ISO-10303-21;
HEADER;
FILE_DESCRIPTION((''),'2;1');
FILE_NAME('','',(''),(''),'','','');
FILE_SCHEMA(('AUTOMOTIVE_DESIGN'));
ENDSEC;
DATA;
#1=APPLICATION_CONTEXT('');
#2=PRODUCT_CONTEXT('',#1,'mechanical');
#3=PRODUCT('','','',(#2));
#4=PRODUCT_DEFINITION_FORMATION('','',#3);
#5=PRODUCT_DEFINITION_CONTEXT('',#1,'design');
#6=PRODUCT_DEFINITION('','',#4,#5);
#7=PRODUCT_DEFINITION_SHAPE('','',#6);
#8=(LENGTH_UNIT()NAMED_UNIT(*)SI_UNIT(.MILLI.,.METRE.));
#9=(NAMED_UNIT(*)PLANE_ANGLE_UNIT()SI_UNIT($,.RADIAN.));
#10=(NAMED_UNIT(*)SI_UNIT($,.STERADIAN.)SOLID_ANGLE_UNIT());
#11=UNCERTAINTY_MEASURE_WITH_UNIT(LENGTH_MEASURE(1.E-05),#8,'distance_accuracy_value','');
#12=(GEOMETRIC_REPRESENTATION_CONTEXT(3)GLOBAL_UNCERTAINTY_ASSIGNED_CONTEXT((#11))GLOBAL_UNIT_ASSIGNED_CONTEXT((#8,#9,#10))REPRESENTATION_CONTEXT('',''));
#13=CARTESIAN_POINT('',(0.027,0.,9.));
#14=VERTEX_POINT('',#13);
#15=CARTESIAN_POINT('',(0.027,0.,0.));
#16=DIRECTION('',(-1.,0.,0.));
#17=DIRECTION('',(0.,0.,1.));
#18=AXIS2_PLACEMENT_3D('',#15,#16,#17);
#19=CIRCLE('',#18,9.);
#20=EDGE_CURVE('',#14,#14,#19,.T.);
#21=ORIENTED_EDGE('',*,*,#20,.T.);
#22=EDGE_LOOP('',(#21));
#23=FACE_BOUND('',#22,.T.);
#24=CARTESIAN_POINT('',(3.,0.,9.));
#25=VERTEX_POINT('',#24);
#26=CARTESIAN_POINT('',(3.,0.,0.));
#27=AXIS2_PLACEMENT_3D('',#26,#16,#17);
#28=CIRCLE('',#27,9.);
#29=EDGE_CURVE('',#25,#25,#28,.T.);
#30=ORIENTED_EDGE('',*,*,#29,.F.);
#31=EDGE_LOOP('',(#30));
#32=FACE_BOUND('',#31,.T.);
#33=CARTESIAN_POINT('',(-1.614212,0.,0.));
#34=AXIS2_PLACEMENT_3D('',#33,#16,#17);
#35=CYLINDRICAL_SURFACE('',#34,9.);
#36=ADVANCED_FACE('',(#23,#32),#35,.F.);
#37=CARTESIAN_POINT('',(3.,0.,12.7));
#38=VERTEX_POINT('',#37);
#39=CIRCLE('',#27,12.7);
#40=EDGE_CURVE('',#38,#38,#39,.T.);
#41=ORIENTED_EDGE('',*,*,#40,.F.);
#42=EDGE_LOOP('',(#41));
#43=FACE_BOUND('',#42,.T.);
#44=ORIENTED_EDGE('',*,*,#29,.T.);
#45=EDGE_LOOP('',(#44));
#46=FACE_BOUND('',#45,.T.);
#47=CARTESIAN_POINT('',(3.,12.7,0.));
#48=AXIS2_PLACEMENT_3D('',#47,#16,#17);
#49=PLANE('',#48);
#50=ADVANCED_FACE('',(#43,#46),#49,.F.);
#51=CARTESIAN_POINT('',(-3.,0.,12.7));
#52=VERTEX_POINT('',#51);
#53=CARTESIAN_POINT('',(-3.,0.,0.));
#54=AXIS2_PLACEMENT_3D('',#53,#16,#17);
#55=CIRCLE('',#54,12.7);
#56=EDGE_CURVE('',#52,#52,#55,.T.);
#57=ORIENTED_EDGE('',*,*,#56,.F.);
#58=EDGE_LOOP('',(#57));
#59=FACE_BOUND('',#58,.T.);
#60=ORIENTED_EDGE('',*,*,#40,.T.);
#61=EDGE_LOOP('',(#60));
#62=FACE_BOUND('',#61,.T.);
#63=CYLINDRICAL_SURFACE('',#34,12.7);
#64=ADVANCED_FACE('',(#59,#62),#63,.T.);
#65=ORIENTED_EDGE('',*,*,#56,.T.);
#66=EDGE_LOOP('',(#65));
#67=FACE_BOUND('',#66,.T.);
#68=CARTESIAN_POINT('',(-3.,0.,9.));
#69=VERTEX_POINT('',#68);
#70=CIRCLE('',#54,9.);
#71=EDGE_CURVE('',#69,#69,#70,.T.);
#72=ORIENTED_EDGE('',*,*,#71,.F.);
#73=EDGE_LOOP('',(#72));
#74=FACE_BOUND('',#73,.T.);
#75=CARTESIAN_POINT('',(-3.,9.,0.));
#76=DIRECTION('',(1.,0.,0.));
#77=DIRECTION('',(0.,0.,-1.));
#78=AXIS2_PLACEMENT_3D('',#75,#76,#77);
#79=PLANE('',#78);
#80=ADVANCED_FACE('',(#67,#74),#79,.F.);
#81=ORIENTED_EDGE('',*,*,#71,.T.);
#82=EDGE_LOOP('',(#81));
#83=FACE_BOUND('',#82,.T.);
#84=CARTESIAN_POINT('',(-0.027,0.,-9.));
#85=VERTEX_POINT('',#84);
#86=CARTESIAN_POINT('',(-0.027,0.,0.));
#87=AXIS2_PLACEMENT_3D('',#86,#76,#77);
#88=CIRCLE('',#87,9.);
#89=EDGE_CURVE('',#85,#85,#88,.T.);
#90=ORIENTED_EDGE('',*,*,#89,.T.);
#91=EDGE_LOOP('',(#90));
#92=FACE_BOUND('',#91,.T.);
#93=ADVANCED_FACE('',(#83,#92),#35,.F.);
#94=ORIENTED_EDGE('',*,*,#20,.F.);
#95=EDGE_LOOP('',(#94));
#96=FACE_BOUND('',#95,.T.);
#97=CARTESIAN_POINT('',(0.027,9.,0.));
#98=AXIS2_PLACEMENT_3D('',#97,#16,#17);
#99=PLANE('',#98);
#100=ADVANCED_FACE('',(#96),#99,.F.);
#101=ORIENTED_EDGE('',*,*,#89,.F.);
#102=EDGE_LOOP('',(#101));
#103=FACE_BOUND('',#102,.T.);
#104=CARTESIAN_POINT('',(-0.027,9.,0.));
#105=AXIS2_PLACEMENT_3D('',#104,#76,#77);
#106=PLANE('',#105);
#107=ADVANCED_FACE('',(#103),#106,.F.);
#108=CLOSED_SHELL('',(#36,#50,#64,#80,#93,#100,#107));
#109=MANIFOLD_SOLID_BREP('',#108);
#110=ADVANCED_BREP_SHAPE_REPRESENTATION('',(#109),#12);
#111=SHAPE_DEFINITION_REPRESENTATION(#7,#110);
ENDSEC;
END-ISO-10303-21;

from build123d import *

# Parameters (mm, degrees)
SKETCH_1_W = 0.054
SKETCH_1_H = 9
SKETCH_4_W = 6
SKETCH_4_H = 3.7


with BuildPart() as part:
    # 草图1 → 旋转2 (revolve)
    with BuildSketch(Plane.XY, mode=Mode.PRIVATE) as revolve_2_sk:
        with Locations((0, 4.5)):
            Rectangle(SKETCH_1_W, SKETCH_1_H)
    revolve(revolve_2_sk.sketch.rotate(Axis((-0.027, 0, 0), (1, 0, 0)), 90), axis=Axis((-0.027, 0, 0), (1, 0, 0)))  # turned: the seam where the file's is

    # 草图4 → 旋转3 (revolve)
    with BuildSketch(Plane.XY, mode=Mode.PRIVATE) as revolve_3_sk:
        with Locations((0, 10.85)):
            Rectangle(SKETCH_4_W, SKETCH_4_H)
    revolve(revolve_3_sk.sketch.rotate(Axis((-1.614212419, 0, 0), (1, 0, 0)), 90), axis=Axis((-1.614212419, 0, 0), (1, 0, 0)))  # turned: the seam where the file's is


solid = part.part
